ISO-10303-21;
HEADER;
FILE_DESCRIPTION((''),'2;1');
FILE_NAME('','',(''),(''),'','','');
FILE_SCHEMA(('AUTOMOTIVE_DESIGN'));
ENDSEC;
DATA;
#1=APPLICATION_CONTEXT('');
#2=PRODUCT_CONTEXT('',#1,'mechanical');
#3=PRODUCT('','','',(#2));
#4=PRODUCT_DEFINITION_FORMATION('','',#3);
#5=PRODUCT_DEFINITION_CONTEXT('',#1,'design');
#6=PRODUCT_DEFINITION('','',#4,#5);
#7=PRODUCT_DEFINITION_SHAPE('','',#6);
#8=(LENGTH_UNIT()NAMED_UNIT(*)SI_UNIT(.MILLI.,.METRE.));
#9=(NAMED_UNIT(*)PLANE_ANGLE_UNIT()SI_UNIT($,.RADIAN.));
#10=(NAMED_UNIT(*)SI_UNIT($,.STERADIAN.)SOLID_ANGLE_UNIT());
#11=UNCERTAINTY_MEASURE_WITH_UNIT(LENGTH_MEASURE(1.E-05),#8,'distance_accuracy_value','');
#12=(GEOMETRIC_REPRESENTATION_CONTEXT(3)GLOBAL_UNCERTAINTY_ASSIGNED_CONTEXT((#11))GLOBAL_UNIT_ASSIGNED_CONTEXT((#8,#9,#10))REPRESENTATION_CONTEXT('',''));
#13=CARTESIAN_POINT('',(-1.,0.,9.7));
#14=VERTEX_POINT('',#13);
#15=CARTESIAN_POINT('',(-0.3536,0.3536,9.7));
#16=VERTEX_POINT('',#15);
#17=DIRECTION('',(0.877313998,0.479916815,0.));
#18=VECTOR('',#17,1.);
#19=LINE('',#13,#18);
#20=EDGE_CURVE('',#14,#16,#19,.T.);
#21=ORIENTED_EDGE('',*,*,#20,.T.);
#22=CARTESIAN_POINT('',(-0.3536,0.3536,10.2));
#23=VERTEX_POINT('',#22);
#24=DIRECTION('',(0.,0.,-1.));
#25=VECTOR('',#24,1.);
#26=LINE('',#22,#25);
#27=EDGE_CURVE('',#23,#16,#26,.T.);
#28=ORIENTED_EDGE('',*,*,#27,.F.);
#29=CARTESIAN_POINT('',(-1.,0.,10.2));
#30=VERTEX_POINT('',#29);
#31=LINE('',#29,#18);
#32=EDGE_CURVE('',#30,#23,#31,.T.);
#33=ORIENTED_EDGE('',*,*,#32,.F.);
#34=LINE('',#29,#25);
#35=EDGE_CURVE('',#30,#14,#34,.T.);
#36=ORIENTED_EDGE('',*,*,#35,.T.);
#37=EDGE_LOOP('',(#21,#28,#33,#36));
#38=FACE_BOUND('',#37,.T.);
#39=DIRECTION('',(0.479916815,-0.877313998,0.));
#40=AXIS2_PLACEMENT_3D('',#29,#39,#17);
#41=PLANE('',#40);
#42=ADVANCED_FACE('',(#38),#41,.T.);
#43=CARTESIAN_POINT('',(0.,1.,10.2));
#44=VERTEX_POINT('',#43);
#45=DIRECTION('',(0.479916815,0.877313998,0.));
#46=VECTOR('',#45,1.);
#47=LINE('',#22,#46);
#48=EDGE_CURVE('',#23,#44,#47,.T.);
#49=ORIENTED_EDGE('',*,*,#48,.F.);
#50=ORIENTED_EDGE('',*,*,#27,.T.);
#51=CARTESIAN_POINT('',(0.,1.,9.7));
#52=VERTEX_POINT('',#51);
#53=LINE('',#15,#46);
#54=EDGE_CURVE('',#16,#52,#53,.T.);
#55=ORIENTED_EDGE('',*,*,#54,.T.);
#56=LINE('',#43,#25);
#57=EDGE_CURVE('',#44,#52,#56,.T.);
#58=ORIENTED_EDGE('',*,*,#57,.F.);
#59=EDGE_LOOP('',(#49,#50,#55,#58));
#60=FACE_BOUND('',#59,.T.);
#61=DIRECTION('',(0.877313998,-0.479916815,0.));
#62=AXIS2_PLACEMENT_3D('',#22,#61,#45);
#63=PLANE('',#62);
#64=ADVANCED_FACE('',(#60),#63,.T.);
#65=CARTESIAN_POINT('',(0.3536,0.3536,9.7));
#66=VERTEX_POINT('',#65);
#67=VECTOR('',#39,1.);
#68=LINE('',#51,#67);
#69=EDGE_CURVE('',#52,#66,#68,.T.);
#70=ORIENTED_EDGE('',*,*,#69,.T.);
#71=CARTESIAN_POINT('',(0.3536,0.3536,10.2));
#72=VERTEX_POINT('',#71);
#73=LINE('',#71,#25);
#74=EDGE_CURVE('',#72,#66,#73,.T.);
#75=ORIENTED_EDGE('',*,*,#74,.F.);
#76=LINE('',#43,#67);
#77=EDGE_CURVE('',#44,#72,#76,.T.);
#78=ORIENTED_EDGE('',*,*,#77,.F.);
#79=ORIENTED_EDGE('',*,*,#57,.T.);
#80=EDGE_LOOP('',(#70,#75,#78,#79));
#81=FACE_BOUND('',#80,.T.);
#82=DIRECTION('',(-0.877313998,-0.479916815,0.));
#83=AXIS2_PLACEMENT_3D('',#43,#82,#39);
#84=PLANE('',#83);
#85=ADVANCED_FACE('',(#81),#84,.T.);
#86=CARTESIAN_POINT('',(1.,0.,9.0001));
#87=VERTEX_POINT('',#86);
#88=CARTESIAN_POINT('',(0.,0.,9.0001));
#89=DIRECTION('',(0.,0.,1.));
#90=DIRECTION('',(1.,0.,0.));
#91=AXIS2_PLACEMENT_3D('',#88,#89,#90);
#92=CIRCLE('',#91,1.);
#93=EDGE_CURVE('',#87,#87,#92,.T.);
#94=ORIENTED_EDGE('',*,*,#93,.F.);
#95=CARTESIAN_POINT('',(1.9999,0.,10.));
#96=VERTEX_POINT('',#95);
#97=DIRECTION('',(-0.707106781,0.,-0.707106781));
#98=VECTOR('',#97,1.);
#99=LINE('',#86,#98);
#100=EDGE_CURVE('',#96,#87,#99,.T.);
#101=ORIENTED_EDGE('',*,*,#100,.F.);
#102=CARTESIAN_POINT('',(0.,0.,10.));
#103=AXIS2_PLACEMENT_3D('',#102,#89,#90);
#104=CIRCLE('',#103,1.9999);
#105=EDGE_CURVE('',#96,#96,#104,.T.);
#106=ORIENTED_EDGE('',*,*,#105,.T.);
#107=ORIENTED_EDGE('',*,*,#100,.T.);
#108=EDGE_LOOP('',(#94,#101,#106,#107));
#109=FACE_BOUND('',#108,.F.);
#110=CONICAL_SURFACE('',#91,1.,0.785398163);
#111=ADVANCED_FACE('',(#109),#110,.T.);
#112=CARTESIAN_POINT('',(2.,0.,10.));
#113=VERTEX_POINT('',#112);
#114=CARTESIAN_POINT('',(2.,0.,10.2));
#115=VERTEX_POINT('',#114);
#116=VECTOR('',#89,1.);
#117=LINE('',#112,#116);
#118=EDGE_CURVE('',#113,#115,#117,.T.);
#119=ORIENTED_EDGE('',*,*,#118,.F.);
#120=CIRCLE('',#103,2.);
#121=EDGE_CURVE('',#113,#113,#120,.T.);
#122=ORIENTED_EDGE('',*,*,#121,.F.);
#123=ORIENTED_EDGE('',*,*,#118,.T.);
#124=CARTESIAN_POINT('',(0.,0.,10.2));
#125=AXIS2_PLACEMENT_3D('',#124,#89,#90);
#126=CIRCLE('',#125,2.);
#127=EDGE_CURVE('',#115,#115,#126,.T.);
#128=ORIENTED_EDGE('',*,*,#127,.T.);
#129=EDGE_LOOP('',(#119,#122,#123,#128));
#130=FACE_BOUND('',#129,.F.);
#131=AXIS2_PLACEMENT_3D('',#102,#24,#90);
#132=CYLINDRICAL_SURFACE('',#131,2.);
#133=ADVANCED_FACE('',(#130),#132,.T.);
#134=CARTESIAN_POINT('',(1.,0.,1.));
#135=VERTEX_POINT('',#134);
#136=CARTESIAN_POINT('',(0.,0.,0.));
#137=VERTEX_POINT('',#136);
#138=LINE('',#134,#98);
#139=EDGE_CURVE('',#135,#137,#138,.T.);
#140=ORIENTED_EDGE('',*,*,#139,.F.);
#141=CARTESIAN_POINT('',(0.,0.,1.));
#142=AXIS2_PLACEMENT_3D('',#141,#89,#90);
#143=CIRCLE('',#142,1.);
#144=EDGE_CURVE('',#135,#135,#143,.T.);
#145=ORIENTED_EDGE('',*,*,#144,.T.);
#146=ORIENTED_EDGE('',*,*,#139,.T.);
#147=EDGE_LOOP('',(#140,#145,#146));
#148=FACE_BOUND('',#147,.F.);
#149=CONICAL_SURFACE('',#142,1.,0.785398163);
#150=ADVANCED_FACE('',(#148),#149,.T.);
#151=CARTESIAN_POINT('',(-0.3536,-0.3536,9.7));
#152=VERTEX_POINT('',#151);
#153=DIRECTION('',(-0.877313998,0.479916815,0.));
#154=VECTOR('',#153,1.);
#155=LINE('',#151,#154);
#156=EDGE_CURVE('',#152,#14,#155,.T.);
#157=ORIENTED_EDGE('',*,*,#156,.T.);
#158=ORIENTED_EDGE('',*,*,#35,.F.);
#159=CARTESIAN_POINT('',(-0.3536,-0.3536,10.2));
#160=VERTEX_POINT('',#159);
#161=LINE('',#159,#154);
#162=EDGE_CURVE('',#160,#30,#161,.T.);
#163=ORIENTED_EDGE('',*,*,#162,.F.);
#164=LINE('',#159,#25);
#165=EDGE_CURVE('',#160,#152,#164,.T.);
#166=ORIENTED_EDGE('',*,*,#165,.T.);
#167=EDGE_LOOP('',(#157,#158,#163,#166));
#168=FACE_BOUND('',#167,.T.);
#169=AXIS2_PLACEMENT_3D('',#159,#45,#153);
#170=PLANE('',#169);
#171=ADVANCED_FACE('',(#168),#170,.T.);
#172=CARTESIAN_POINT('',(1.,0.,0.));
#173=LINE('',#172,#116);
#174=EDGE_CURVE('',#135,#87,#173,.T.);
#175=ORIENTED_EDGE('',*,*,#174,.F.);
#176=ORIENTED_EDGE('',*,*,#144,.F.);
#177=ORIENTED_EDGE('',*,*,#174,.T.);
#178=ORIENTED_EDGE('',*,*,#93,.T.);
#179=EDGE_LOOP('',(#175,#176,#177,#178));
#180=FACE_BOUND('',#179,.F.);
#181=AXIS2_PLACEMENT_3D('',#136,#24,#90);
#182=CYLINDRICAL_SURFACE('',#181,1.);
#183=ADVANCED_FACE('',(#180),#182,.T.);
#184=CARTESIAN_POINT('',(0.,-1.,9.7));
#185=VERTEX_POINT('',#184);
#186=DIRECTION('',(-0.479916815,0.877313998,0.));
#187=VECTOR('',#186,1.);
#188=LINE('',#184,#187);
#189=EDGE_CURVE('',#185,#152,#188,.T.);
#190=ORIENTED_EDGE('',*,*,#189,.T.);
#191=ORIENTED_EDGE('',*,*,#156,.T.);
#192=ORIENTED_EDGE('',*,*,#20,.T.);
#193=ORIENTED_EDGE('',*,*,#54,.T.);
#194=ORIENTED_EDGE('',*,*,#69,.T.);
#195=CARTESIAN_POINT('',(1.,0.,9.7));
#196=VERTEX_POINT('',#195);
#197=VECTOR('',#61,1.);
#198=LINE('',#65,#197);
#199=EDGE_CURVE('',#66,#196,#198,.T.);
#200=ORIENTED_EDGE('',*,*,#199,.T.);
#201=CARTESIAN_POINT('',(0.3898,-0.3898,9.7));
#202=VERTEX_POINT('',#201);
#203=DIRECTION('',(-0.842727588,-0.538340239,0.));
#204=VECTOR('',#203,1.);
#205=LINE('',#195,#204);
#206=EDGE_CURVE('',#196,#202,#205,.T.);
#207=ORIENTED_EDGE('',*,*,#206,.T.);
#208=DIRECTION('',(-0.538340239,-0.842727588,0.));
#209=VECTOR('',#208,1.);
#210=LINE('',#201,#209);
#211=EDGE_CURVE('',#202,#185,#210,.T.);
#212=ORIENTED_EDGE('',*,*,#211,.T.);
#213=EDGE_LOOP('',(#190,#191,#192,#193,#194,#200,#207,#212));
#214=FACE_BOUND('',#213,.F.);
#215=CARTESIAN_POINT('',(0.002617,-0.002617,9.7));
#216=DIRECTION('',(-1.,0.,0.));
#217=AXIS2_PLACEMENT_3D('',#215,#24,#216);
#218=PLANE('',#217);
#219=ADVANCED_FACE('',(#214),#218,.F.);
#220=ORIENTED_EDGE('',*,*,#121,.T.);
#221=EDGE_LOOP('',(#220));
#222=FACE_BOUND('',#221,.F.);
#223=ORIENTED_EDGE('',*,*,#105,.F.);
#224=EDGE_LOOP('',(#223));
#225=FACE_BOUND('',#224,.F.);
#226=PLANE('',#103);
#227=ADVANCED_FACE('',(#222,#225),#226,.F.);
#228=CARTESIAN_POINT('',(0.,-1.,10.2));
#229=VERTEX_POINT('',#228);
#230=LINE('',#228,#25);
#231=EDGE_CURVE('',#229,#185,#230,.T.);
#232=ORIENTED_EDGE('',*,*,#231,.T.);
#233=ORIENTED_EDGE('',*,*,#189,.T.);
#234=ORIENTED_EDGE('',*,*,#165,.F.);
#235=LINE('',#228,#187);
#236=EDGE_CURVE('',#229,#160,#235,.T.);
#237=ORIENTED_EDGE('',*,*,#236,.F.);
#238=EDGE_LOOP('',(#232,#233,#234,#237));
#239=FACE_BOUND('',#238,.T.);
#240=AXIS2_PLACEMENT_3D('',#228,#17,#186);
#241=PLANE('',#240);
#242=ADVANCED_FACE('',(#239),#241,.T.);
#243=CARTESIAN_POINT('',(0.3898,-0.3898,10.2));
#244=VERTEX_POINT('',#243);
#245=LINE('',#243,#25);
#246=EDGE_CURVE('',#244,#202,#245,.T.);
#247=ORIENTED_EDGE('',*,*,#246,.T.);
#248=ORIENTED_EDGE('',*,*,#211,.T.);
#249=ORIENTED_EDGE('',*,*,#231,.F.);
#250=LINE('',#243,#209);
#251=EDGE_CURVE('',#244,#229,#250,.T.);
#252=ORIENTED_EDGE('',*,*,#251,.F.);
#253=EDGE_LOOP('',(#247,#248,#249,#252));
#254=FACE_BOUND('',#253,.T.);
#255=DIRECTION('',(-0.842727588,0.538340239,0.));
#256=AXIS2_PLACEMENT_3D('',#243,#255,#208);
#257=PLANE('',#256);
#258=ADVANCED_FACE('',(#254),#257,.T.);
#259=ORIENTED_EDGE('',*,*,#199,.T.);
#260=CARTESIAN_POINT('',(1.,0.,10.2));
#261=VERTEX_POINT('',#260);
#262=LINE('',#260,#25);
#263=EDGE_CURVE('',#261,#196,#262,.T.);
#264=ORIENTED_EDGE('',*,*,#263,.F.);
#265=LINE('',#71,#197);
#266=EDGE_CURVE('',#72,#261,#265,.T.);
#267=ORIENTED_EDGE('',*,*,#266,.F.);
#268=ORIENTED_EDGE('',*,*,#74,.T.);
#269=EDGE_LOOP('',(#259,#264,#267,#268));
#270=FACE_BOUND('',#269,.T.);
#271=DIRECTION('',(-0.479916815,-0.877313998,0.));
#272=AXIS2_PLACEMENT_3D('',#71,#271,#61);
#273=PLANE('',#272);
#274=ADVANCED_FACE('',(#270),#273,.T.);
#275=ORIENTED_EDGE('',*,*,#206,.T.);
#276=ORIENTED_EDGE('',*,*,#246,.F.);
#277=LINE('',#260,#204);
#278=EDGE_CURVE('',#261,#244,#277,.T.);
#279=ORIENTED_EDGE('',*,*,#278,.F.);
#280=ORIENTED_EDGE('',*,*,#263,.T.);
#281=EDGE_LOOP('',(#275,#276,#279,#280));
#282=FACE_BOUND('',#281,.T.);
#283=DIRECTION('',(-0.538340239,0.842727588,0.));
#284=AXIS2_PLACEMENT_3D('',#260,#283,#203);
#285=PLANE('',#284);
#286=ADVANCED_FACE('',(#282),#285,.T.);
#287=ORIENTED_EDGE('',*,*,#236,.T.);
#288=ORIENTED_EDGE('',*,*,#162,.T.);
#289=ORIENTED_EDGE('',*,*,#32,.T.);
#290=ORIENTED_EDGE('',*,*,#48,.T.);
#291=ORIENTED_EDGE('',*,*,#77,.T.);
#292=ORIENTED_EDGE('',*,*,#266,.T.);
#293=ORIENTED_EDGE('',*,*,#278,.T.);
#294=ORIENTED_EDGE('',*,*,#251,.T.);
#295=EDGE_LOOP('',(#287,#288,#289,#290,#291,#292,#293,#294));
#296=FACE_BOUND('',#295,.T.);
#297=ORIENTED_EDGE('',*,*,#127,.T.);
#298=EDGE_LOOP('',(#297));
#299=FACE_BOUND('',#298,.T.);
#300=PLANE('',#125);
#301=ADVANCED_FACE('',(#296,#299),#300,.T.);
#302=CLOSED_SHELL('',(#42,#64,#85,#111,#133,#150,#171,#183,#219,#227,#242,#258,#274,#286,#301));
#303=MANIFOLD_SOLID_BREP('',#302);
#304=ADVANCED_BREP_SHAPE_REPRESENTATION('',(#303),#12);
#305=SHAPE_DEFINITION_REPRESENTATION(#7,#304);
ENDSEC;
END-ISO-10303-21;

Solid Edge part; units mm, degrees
sketch "Sketch1" plane through (0, 0, 0) normal (0, 0, 1) x (1, 0, 0)
  circle A0 centre (0, 0) radius 1
extrude "Protrusion1" add sketch "Sketch1" along normal blind 10
sketch "Sketch2" plane through (0, 0, 10) normal (0, 0, 1) x (1, 0, 0)
  circle A0 centre (0, 0) radius 2
extrude "ProtrusiónExtruida_2" add sketch "Sketch2" along normal blind 0.2
chamfer "Chaflán_2" distance 1 angle 45 1 edges at (1, 0, 10)
sketch "Sketch3" plane through (0, 0, 10.2) normal (0, 0, 1) x (1, 0, 0)
  line L0 (0, -1) -> (-0.3536, -0.3536)
  line L1 (-0.3536, -0.3536) -> (-1, 0)
  line L2 (-1, 0) -> (-0.3536, 0.3536)
  line L3 (-0.3536, 0.3536) -> (0, 1)
  line L4 (0, 1) -> (0.3536, 0.3536)
  line L5 (0.3536, 0.3536) -> (1, 0)
  line L6 (1, 0) -> (0.3898, -0.3898)
  line L7 (0.3898, -0.3898) -> (0, -1)
extrude "VaciadoExtruido_1" cut sketch "Sketch3" against normal blind 0.5
chamfer "Chaflán_1" distance 1 angle 45 1 edges at (-1, 0, 0)
properties material "Latón, amarillo"
